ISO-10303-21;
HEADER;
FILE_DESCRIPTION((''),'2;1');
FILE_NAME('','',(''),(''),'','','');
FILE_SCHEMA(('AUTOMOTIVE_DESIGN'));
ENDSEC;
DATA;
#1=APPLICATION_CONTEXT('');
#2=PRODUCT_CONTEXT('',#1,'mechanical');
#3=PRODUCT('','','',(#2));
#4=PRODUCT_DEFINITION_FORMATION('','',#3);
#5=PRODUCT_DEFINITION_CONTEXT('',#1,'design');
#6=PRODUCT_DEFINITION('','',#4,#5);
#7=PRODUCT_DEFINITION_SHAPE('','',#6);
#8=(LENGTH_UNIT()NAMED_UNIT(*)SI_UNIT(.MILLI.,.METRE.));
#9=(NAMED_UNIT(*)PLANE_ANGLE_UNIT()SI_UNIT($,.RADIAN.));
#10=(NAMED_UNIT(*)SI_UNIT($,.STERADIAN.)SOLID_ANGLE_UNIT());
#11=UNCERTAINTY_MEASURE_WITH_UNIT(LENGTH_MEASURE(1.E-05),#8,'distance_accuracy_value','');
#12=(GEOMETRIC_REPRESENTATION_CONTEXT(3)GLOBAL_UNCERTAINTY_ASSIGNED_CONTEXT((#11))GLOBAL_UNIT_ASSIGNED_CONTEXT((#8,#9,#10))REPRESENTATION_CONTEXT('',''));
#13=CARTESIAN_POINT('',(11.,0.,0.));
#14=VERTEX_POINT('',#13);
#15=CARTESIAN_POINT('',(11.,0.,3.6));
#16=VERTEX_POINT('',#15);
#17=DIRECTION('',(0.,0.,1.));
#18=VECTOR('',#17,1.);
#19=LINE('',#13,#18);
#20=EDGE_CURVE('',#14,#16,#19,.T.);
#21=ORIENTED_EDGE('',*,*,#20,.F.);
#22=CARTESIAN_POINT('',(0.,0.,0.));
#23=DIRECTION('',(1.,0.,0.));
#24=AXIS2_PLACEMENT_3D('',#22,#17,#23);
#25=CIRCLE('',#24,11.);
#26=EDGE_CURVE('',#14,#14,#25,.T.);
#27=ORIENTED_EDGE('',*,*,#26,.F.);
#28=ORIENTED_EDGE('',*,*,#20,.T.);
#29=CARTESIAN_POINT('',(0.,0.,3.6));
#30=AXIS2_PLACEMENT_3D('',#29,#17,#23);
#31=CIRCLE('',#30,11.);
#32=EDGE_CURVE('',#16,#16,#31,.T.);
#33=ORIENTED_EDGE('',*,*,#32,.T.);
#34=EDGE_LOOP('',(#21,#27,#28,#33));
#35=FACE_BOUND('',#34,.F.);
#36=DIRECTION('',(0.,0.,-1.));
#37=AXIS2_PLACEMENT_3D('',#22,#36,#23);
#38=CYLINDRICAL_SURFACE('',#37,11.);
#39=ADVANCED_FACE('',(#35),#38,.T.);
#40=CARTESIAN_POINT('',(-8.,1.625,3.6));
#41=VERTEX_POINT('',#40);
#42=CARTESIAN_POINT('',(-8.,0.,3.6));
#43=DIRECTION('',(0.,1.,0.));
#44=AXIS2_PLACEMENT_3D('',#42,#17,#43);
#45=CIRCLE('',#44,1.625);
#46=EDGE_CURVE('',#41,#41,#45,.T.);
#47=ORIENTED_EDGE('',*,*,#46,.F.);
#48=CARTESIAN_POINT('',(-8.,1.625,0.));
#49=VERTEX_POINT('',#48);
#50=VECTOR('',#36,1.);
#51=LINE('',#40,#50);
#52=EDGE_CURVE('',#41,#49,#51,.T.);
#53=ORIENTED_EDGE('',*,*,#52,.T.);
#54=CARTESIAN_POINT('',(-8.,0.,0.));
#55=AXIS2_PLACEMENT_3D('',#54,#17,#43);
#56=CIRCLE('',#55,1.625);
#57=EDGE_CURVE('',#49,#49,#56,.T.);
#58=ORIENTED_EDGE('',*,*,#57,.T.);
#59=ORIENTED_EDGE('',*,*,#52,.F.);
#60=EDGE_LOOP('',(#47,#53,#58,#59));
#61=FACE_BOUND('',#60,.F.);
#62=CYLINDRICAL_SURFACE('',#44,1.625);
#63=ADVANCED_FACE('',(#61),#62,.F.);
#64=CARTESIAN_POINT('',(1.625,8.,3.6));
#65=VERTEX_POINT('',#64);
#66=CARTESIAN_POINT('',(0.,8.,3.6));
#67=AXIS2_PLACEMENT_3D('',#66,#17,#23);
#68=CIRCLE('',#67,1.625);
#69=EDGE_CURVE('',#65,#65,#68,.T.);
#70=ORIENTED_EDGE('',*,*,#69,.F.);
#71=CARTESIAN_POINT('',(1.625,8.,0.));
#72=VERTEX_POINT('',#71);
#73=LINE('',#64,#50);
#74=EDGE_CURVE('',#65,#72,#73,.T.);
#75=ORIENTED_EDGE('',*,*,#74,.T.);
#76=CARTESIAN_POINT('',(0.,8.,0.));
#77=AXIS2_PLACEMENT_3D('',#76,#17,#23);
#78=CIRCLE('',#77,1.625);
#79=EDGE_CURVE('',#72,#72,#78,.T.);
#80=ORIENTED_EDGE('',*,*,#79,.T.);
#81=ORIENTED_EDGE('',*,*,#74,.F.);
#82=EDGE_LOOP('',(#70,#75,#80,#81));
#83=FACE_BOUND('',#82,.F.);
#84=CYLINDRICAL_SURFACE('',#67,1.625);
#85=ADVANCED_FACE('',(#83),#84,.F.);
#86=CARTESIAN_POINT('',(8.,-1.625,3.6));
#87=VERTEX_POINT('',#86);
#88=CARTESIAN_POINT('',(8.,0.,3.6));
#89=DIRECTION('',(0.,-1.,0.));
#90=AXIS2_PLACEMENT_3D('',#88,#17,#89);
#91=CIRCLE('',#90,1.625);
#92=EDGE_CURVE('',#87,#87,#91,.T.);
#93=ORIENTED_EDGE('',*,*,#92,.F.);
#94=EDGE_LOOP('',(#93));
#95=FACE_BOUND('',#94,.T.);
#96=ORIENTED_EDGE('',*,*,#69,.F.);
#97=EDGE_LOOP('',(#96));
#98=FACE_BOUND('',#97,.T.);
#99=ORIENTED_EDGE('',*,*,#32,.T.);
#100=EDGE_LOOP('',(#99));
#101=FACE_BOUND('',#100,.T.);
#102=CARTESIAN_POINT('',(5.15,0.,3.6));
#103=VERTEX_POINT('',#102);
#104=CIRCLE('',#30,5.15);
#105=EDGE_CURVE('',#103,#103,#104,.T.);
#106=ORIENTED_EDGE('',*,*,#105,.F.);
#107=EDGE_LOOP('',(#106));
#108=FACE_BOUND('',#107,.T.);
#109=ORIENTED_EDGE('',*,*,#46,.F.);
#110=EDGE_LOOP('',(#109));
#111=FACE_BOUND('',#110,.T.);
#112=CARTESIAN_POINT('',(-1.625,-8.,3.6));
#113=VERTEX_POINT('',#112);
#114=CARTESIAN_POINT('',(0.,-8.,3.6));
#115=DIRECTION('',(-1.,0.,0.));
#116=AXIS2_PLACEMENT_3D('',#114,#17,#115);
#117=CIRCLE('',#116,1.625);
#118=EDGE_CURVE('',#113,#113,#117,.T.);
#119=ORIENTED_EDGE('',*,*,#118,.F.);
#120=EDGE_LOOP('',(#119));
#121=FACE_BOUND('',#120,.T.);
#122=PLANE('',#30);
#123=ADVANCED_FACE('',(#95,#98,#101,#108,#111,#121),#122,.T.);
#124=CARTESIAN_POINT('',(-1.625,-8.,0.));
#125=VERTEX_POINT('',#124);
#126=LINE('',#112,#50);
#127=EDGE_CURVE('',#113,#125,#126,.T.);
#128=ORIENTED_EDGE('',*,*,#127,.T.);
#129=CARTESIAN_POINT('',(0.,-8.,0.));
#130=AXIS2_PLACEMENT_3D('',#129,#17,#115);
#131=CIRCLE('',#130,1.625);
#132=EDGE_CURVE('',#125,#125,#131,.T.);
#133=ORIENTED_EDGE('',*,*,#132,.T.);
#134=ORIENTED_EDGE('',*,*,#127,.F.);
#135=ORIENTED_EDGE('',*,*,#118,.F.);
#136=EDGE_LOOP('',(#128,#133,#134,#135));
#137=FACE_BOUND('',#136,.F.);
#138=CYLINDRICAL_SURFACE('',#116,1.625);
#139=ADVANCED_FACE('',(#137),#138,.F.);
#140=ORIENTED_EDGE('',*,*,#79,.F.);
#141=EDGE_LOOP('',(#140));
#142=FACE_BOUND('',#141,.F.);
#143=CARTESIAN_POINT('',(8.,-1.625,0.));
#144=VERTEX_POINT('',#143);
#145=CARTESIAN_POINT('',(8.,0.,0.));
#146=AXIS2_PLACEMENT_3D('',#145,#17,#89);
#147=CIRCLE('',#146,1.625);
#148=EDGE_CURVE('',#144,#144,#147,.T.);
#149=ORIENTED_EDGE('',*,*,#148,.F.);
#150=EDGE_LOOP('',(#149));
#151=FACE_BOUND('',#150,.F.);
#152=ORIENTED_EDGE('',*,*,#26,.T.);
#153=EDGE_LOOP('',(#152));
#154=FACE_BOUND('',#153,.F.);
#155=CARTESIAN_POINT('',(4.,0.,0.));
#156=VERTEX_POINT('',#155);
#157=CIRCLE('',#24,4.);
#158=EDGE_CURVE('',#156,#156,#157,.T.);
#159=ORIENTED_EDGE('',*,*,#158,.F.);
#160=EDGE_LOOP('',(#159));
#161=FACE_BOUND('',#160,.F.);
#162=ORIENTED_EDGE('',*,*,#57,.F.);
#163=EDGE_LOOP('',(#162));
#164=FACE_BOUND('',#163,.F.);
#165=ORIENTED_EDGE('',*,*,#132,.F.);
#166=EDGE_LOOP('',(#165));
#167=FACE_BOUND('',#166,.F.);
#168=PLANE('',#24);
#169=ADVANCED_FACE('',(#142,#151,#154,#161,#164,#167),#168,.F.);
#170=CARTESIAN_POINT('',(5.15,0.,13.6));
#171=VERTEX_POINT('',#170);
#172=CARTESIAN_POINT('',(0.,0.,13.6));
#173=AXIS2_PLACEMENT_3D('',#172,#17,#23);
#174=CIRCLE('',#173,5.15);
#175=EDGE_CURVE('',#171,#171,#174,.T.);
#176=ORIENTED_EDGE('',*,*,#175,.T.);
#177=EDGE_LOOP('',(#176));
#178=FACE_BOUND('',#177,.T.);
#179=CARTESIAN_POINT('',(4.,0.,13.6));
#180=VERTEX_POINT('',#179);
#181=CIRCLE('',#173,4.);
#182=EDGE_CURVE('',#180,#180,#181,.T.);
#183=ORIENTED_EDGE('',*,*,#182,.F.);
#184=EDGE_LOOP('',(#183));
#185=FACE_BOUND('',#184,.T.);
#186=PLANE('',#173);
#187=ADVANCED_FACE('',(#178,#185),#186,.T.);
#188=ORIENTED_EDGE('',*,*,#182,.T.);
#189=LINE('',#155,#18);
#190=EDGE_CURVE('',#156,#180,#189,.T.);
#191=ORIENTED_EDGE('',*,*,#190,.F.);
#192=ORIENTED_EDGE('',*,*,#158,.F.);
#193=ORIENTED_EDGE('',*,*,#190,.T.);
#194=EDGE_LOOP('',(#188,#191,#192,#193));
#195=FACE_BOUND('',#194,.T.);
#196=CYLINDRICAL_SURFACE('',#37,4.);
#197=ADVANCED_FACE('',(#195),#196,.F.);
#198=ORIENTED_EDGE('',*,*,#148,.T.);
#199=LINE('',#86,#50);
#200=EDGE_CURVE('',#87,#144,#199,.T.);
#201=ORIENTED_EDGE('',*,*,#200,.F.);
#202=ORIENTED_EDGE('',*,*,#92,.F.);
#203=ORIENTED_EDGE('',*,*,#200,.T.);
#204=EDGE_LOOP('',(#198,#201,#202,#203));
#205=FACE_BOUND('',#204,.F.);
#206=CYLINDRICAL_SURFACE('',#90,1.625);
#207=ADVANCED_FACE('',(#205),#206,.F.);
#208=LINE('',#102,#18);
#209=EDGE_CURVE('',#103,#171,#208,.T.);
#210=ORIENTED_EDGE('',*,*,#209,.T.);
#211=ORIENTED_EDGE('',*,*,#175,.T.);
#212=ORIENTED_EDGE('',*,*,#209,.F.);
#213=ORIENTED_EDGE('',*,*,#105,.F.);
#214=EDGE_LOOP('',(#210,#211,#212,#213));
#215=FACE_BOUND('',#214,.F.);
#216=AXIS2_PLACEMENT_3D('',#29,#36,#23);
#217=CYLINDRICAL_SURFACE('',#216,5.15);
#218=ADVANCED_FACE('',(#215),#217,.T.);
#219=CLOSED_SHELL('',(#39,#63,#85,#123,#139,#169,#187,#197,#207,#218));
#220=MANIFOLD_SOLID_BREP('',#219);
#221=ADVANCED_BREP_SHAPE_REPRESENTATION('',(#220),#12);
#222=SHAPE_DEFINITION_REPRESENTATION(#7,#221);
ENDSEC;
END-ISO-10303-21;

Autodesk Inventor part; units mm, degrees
ref_plane "YZ Plane" through (0, 0, 0) normal (1, 0, 0) x (0, 1, 0)
ref_plane "XZ Plane" through (0, 0, 0) normal (0, 1, 0) x (-1, 0, 0)
ref_plane "XY Plane" through (0, 0, 0) normal (0, 0, 1) x (1, 0, 0)
sketch "Sketch1" plane through (0, 0, 0) normal (0, 0, 1) x (1, 0, 0)
  circle A0 centre (0, 0) radius 4
  circle A1 centre (0, 0) radius 11
  dimension "d0" = 8
  dimension "d1" = 22
extrude "Extrusion1" add sketch "Sketch1" along normal blind 3.6
sketch "Sketch2" plane through (0, 0, 3.6) normal (0, 0, 1) x (1, 0, 0)
  circle A0 centre (0, 0) radius 4 projected
  circle A1 centre (0, 0) radius 11 projected
  circle A2 centre (0, 0) radius 5.15
  dimension "d4" = 10.3
extrude "Extrusion2" add sketch "Sketch2" along normal blind 10 contours A2
sketch "Sketch3" plane through (0, 0, 3.6) normal (0, 0, 1) x (1, 0, 0)
  circle A0 centre (0, 0) radius 5.15 projected
  circle A1 centre (0, 0) radius 11 projected
  circle A2 centre (0, 8) radius 1.625
  dimension "d7" = 3.25
  dimension "d8" = 8
extrude "Extrusion3" cut sketch "Sketch3" against normal blind 10 contours A2
pattern_circular "Circular Pattern1" count 4 over 360 about axis through (0, 0, 3.6) along (0, 0, 1) of "Extrusion3"
properties part number "00_spindel_slide"
